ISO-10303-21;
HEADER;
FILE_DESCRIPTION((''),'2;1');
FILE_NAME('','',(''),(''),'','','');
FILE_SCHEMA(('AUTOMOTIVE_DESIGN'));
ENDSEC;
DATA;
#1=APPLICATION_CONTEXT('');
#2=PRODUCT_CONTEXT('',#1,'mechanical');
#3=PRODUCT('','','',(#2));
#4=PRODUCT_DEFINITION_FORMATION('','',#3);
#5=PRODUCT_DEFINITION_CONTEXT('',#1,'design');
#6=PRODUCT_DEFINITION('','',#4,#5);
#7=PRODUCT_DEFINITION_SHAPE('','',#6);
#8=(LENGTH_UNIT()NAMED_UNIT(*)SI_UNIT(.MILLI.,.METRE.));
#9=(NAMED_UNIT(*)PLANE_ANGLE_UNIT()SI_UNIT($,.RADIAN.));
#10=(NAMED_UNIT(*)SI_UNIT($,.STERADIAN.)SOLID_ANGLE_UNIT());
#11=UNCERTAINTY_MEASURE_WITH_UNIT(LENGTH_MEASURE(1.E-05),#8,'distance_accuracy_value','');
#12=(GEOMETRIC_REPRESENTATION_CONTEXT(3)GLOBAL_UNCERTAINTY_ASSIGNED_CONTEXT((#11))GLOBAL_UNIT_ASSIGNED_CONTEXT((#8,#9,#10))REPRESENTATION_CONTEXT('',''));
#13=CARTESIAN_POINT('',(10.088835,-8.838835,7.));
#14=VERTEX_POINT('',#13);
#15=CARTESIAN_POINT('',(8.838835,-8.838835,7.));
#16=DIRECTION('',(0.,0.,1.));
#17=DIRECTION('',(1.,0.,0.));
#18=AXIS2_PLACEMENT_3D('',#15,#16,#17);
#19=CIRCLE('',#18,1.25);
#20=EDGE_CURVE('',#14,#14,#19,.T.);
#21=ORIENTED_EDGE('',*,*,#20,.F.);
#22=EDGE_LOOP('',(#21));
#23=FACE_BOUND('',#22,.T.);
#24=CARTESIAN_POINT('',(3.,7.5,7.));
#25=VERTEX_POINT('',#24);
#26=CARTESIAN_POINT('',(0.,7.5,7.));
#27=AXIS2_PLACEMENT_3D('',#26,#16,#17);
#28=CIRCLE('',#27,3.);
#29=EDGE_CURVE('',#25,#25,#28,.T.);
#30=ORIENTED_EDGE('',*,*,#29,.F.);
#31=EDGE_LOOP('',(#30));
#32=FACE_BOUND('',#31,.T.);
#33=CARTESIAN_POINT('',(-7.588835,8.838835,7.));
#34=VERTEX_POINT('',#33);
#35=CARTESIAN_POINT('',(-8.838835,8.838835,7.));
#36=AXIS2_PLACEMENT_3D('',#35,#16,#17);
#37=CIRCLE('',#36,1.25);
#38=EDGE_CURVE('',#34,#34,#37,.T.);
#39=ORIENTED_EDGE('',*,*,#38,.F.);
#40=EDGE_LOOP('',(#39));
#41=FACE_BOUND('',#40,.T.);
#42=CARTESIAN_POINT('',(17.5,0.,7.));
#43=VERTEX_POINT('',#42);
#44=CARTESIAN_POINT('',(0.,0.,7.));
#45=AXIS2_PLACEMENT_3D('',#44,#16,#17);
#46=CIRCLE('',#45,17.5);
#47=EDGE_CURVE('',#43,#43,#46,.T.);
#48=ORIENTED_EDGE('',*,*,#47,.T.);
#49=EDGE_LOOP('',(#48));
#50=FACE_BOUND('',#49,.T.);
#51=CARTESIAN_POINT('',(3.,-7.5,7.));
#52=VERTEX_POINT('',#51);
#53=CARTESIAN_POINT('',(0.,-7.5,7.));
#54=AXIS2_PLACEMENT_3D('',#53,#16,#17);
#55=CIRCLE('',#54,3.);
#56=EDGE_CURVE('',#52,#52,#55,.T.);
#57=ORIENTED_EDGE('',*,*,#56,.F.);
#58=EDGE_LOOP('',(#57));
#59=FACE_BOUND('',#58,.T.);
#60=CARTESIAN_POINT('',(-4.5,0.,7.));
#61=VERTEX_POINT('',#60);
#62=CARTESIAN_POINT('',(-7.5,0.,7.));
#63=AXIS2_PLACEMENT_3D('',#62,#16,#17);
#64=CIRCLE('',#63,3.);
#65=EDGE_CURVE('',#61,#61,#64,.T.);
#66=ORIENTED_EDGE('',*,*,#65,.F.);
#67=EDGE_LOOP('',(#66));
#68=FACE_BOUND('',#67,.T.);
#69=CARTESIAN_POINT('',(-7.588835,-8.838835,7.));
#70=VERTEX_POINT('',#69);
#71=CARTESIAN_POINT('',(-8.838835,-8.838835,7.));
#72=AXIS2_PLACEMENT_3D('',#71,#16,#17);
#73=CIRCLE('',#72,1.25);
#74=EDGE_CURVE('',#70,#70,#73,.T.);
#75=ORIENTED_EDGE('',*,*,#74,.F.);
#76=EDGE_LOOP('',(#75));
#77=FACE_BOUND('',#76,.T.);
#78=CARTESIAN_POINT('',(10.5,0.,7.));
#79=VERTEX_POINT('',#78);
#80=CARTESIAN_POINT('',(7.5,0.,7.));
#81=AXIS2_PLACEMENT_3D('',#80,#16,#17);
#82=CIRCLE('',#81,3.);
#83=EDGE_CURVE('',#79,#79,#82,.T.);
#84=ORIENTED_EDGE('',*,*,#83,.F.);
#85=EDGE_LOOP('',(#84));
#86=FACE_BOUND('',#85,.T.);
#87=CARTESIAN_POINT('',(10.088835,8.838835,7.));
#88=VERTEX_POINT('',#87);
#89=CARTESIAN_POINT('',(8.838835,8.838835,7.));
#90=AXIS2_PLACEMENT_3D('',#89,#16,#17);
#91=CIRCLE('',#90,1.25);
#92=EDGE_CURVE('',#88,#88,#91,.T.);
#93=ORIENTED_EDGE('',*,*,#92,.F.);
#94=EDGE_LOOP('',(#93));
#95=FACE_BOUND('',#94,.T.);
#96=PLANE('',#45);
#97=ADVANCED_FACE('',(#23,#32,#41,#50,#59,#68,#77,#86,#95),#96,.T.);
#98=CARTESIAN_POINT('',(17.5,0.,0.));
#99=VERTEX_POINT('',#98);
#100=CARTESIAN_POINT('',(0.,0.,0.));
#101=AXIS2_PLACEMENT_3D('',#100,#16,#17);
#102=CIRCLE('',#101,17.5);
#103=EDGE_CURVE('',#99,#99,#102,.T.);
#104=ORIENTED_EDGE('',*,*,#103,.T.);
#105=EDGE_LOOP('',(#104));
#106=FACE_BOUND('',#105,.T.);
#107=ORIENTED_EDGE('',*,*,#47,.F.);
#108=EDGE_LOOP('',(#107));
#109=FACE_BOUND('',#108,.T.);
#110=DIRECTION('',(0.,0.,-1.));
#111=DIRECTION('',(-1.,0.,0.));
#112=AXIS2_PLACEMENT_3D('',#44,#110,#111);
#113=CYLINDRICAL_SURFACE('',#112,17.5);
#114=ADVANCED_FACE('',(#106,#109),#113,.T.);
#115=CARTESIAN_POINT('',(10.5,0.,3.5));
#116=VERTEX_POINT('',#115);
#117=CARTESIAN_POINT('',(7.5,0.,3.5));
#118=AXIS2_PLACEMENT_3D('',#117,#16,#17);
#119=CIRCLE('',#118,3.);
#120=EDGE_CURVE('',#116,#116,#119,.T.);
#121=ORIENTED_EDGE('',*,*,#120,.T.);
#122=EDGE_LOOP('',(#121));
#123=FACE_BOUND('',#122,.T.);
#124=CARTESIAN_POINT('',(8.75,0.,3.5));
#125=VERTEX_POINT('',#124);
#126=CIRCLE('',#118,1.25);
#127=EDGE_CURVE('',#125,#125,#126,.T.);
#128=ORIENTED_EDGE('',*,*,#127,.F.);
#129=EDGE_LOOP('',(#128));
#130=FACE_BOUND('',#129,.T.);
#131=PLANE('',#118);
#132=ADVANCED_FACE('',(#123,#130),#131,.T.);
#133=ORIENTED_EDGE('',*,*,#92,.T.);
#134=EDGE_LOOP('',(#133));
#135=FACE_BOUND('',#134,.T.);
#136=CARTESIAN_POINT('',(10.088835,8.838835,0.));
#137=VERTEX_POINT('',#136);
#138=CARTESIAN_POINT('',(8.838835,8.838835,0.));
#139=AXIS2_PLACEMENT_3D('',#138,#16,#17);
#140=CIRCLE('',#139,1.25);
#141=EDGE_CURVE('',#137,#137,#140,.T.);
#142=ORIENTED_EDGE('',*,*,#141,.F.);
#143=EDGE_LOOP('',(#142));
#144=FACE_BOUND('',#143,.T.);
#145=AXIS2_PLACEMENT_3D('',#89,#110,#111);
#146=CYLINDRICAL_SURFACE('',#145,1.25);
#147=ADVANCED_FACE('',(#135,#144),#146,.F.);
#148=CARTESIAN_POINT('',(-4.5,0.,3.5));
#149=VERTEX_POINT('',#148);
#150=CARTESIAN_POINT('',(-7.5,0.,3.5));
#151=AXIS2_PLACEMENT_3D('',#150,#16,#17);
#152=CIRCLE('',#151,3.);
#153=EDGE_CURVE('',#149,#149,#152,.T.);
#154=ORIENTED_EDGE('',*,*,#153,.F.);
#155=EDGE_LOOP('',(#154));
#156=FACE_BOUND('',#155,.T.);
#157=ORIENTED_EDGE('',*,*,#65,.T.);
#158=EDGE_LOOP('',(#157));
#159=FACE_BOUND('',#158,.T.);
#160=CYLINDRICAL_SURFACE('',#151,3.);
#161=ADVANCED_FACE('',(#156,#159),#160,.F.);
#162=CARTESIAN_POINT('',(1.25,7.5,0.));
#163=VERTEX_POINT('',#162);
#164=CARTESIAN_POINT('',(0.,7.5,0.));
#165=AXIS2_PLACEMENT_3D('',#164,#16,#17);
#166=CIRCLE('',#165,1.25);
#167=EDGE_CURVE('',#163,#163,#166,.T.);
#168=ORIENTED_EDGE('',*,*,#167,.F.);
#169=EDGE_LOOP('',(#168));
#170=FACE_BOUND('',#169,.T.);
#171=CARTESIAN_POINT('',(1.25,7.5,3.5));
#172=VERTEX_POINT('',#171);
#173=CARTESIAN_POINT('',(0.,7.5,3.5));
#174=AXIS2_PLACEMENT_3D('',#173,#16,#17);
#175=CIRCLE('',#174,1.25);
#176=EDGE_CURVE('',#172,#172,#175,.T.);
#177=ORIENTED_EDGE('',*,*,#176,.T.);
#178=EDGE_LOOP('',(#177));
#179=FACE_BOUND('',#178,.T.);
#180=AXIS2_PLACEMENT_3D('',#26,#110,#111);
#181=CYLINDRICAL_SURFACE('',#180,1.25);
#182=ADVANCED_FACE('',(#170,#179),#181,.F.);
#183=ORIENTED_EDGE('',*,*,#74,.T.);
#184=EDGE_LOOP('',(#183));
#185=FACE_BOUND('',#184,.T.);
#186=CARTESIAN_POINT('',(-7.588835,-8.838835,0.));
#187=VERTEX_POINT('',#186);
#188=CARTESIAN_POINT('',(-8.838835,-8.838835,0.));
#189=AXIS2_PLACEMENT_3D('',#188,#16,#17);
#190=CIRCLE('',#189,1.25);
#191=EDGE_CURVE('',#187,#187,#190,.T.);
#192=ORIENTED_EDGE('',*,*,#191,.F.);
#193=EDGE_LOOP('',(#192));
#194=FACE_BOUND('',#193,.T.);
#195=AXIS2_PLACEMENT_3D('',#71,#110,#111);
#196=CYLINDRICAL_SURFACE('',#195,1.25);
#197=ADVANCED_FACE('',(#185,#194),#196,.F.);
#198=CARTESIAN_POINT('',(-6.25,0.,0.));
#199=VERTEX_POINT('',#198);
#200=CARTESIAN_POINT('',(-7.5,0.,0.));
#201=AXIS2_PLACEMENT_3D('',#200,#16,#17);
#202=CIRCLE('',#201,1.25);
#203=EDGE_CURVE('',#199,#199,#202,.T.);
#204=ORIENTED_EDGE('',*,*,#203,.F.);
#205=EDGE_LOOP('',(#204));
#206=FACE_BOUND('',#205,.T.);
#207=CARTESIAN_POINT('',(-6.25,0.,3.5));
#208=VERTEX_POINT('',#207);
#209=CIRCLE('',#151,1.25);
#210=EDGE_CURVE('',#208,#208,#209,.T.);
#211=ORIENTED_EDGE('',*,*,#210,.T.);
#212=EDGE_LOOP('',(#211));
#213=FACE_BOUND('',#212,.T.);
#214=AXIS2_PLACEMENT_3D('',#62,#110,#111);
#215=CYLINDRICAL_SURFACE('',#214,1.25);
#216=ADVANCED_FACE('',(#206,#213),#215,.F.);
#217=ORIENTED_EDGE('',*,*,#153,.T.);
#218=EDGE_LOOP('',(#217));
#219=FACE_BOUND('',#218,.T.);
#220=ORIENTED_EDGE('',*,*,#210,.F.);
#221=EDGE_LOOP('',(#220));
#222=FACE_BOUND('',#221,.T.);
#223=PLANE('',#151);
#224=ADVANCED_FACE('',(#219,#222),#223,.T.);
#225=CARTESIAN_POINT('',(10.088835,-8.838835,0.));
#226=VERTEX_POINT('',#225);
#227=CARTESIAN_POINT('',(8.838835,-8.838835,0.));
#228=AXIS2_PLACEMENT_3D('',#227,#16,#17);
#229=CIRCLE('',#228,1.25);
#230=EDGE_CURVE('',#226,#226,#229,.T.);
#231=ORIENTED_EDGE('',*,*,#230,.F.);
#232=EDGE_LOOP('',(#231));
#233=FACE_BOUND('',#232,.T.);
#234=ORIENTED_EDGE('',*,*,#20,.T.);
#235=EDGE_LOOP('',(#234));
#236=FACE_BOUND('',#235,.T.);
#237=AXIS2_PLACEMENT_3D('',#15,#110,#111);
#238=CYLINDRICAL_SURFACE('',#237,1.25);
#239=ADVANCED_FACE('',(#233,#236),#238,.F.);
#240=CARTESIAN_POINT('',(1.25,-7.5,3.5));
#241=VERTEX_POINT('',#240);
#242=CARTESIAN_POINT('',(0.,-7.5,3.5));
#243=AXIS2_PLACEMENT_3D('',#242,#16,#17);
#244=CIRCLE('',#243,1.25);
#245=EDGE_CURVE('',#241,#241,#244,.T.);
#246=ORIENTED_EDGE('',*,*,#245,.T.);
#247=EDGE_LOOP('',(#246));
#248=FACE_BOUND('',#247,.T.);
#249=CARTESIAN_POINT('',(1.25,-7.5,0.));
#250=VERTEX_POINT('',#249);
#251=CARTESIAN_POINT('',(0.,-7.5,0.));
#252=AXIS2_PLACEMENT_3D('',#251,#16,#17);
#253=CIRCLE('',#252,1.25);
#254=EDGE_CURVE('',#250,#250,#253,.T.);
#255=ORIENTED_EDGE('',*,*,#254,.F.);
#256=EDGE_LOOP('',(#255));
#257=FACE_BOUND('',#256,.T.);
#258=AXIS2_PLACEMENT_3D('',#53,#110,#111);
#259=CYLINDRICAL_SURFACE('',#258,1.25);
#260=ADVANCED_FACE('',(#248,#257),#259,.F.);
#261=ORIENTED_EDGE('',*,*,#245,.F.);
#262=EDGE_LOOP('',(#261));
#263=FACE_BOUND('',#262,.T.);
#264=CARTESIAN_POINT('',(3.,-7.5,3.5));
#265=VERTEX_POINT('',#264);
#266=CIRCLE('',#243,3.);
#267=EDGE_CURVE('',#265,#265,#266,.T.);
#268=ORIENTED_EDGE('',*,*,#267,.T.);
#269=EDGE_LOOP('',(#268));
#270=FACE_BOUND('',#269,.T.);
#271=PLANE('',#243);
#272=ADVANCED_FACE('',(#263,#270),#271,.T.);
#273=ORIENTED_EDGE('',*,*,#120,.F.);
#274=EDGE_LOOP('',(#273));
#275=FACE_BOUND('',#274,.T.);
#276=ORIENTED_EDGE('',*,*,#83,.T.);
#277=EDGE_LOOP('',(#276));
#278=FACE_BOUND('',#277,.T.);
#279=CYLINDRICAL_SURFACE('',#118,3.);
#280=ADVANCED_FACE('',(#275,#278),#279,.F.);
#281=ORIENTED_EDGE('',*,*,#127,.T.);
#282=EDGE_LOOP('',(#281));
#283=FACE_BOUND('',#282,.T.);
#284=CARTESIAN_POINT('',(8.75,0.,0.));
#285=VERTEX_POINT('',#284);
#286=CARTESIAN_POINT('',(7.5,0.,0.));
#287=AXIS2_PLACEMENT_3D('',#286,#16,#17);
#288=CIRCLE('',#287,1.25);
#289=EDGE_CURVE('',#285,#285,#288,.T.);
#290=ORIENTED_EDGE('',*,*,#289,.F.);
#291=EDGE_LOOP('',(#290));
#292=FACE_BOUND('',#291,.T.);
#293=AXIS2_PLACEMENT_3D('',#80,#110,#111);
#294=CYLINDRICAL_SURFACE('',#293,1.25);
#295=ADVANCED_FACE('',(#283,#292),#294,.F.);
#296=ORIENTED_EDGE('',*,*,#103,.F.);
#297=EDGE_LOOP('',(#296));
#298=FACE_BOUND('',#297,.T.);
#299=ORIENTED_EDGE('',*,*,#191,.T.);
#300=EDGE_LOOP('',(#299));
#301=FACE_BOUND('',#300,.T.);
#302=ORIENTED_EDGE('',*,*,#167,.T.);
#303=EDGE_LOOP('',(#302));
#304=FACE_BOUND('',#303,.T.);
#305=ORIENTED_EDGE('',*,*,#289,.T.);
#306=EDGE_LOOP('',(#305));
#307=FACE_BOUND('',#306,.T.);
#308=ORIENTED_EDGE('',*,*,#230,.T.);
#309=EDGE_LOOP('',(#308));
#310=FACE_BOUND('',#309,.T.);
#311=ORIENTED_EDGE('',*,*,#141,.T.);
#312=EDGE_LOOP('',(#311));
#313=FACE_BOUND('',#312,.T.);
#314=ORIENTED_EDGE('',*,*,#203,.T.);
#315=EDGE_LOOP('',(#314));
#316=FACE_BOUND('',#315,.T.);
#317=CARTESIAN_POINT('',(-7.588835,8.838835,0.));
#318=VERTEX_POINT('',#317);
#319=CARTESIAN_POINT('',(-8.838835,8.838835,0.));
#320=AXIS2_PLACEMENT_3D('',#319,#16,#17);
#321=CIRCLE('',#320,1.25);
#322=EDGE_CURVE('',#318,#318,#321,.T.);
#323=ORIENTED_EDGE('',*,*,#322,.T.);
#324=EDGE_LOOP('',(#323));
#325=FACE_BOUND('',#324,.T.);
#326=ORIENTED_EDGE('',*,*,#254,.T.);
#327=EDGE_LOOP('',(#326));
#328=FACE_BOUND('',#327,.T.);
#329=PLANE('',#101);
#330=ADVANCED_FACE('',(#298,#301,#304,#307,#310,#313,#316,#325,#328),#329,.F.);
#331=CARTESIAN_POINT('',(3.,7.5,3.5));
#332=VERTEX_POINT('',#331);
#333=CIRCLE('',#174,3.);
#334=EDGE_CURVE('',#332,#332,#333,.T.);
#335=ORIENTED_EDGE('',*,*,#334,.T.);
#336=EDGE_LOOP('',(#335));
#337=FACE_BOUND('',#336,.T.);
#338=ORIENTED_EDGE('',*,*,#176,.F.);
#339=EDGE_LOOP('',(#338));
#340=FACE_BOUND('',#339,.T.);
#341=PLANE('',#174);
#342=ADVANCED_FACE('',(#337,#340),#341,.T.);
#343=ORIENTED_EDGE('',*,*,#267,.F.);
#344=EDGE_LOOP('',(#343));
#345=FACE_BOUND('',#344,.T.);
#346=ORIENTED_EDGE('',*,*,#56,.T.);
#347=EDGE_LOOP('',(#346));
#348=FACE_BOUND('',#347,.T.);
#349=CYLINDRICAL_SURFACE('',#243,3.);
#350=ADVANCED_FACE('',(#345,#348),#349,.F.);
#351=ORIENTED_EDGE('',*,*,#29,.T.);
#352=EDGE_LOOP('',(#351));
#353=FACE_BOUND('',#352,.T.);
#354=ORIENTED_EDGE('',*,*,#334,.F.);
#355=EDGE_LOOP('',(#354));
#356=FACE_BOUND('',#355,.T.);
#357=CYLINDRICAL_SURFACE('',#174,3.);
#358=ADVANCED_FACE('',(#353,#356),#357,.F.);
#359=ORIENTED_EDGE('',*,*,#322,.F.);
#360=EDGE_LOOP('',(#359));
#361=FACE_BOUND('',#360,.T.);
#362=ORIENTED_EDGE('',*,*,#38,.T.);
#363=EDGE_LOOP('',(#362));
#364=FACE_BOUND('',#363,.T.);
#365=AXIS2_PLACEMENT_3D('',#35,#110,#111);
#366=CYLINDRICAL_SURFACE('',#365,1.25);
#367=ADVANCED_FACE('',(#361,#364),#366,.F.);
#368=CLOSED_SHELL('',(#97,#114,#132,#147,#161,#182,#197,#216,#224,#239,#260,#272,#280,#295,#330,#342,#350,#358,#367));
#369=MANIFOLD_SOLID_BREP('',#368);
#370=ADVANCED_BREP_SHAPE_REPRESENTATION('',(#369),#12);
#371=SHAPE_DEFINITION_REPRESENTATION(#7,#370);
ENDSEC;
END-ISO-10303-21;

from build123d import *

# Parameters (mm, degrees)
SKETCH_1_R          = 17.5
SKETCH_1_R_2        = 1.25
EXTRUDE_1_DEPTH     = 7
SKETCH_2_R          = 3
CUT_EXTRUDE_1_DEPTH = 3.5


with BuildPart() as part:
    # 草图1 → 凸台-拉伸1 (new body)
    with BuildSketch(Plane.XY):
        Circle(SKETCH_1_R)
        with Locations((0, 7.5)):
            Circle(SKETCH_1_R_2, mode=Mode.SUBTRACT)
        with Locations((7.5, 0)):
            Circle(SKETCH_1_R_2, mode=Mode.SUBTRACT)
        with Locations((0, -7.5)):
            Circle(SKETCH_1_R_2, mode=Mode.SUBTRACT)
        with Locations((-7.5, 0)):
            Circle(SKETCH_1_R_2, mode=Mode.SUBTRACT)
        with Locations((8.838834765, 8.838834765)):
            Circle(SKETCH_1_R_2, mode=Mode.SUBTRACT)
        with Locations((8.838834765, -8.838834765)):
            Circle(SKETCH_1_R_2, mode=Mode.SUBTRACT)
        with Locations((-8.838834765, -8.838834765)):
            Circle(SKETCH_1_R_2, mode=Mode.SUBTRACT)
        with Locations((-8.838834765, 8.838834765)):
            Circle(SKETCH_1_R_2, mode=Mode.SUBTRACT)
    extrude(amount=EXTRUDE_1_DEPTH)

    # 草图2 → 切除-拉伸1 (cut)
    with BuildSketch(Plane.XY.offset(7)):
        with Locations((0, 7.5)):
            Circle(SKETCH_2_R)
        with Locations((7.5, 0)):
            Circle(SKETCH_2_R)
        with Locations((0, -7.5)):
            Circle(SKETCH_2_R)
        with Locations((-7.5, 0)):
            Circle(SKETCH_2_R)
    extrude(amount=-CUT_EXTRUDE_1_DEPTH, mode=Mode.SUBTRACT)


solid = part.part
